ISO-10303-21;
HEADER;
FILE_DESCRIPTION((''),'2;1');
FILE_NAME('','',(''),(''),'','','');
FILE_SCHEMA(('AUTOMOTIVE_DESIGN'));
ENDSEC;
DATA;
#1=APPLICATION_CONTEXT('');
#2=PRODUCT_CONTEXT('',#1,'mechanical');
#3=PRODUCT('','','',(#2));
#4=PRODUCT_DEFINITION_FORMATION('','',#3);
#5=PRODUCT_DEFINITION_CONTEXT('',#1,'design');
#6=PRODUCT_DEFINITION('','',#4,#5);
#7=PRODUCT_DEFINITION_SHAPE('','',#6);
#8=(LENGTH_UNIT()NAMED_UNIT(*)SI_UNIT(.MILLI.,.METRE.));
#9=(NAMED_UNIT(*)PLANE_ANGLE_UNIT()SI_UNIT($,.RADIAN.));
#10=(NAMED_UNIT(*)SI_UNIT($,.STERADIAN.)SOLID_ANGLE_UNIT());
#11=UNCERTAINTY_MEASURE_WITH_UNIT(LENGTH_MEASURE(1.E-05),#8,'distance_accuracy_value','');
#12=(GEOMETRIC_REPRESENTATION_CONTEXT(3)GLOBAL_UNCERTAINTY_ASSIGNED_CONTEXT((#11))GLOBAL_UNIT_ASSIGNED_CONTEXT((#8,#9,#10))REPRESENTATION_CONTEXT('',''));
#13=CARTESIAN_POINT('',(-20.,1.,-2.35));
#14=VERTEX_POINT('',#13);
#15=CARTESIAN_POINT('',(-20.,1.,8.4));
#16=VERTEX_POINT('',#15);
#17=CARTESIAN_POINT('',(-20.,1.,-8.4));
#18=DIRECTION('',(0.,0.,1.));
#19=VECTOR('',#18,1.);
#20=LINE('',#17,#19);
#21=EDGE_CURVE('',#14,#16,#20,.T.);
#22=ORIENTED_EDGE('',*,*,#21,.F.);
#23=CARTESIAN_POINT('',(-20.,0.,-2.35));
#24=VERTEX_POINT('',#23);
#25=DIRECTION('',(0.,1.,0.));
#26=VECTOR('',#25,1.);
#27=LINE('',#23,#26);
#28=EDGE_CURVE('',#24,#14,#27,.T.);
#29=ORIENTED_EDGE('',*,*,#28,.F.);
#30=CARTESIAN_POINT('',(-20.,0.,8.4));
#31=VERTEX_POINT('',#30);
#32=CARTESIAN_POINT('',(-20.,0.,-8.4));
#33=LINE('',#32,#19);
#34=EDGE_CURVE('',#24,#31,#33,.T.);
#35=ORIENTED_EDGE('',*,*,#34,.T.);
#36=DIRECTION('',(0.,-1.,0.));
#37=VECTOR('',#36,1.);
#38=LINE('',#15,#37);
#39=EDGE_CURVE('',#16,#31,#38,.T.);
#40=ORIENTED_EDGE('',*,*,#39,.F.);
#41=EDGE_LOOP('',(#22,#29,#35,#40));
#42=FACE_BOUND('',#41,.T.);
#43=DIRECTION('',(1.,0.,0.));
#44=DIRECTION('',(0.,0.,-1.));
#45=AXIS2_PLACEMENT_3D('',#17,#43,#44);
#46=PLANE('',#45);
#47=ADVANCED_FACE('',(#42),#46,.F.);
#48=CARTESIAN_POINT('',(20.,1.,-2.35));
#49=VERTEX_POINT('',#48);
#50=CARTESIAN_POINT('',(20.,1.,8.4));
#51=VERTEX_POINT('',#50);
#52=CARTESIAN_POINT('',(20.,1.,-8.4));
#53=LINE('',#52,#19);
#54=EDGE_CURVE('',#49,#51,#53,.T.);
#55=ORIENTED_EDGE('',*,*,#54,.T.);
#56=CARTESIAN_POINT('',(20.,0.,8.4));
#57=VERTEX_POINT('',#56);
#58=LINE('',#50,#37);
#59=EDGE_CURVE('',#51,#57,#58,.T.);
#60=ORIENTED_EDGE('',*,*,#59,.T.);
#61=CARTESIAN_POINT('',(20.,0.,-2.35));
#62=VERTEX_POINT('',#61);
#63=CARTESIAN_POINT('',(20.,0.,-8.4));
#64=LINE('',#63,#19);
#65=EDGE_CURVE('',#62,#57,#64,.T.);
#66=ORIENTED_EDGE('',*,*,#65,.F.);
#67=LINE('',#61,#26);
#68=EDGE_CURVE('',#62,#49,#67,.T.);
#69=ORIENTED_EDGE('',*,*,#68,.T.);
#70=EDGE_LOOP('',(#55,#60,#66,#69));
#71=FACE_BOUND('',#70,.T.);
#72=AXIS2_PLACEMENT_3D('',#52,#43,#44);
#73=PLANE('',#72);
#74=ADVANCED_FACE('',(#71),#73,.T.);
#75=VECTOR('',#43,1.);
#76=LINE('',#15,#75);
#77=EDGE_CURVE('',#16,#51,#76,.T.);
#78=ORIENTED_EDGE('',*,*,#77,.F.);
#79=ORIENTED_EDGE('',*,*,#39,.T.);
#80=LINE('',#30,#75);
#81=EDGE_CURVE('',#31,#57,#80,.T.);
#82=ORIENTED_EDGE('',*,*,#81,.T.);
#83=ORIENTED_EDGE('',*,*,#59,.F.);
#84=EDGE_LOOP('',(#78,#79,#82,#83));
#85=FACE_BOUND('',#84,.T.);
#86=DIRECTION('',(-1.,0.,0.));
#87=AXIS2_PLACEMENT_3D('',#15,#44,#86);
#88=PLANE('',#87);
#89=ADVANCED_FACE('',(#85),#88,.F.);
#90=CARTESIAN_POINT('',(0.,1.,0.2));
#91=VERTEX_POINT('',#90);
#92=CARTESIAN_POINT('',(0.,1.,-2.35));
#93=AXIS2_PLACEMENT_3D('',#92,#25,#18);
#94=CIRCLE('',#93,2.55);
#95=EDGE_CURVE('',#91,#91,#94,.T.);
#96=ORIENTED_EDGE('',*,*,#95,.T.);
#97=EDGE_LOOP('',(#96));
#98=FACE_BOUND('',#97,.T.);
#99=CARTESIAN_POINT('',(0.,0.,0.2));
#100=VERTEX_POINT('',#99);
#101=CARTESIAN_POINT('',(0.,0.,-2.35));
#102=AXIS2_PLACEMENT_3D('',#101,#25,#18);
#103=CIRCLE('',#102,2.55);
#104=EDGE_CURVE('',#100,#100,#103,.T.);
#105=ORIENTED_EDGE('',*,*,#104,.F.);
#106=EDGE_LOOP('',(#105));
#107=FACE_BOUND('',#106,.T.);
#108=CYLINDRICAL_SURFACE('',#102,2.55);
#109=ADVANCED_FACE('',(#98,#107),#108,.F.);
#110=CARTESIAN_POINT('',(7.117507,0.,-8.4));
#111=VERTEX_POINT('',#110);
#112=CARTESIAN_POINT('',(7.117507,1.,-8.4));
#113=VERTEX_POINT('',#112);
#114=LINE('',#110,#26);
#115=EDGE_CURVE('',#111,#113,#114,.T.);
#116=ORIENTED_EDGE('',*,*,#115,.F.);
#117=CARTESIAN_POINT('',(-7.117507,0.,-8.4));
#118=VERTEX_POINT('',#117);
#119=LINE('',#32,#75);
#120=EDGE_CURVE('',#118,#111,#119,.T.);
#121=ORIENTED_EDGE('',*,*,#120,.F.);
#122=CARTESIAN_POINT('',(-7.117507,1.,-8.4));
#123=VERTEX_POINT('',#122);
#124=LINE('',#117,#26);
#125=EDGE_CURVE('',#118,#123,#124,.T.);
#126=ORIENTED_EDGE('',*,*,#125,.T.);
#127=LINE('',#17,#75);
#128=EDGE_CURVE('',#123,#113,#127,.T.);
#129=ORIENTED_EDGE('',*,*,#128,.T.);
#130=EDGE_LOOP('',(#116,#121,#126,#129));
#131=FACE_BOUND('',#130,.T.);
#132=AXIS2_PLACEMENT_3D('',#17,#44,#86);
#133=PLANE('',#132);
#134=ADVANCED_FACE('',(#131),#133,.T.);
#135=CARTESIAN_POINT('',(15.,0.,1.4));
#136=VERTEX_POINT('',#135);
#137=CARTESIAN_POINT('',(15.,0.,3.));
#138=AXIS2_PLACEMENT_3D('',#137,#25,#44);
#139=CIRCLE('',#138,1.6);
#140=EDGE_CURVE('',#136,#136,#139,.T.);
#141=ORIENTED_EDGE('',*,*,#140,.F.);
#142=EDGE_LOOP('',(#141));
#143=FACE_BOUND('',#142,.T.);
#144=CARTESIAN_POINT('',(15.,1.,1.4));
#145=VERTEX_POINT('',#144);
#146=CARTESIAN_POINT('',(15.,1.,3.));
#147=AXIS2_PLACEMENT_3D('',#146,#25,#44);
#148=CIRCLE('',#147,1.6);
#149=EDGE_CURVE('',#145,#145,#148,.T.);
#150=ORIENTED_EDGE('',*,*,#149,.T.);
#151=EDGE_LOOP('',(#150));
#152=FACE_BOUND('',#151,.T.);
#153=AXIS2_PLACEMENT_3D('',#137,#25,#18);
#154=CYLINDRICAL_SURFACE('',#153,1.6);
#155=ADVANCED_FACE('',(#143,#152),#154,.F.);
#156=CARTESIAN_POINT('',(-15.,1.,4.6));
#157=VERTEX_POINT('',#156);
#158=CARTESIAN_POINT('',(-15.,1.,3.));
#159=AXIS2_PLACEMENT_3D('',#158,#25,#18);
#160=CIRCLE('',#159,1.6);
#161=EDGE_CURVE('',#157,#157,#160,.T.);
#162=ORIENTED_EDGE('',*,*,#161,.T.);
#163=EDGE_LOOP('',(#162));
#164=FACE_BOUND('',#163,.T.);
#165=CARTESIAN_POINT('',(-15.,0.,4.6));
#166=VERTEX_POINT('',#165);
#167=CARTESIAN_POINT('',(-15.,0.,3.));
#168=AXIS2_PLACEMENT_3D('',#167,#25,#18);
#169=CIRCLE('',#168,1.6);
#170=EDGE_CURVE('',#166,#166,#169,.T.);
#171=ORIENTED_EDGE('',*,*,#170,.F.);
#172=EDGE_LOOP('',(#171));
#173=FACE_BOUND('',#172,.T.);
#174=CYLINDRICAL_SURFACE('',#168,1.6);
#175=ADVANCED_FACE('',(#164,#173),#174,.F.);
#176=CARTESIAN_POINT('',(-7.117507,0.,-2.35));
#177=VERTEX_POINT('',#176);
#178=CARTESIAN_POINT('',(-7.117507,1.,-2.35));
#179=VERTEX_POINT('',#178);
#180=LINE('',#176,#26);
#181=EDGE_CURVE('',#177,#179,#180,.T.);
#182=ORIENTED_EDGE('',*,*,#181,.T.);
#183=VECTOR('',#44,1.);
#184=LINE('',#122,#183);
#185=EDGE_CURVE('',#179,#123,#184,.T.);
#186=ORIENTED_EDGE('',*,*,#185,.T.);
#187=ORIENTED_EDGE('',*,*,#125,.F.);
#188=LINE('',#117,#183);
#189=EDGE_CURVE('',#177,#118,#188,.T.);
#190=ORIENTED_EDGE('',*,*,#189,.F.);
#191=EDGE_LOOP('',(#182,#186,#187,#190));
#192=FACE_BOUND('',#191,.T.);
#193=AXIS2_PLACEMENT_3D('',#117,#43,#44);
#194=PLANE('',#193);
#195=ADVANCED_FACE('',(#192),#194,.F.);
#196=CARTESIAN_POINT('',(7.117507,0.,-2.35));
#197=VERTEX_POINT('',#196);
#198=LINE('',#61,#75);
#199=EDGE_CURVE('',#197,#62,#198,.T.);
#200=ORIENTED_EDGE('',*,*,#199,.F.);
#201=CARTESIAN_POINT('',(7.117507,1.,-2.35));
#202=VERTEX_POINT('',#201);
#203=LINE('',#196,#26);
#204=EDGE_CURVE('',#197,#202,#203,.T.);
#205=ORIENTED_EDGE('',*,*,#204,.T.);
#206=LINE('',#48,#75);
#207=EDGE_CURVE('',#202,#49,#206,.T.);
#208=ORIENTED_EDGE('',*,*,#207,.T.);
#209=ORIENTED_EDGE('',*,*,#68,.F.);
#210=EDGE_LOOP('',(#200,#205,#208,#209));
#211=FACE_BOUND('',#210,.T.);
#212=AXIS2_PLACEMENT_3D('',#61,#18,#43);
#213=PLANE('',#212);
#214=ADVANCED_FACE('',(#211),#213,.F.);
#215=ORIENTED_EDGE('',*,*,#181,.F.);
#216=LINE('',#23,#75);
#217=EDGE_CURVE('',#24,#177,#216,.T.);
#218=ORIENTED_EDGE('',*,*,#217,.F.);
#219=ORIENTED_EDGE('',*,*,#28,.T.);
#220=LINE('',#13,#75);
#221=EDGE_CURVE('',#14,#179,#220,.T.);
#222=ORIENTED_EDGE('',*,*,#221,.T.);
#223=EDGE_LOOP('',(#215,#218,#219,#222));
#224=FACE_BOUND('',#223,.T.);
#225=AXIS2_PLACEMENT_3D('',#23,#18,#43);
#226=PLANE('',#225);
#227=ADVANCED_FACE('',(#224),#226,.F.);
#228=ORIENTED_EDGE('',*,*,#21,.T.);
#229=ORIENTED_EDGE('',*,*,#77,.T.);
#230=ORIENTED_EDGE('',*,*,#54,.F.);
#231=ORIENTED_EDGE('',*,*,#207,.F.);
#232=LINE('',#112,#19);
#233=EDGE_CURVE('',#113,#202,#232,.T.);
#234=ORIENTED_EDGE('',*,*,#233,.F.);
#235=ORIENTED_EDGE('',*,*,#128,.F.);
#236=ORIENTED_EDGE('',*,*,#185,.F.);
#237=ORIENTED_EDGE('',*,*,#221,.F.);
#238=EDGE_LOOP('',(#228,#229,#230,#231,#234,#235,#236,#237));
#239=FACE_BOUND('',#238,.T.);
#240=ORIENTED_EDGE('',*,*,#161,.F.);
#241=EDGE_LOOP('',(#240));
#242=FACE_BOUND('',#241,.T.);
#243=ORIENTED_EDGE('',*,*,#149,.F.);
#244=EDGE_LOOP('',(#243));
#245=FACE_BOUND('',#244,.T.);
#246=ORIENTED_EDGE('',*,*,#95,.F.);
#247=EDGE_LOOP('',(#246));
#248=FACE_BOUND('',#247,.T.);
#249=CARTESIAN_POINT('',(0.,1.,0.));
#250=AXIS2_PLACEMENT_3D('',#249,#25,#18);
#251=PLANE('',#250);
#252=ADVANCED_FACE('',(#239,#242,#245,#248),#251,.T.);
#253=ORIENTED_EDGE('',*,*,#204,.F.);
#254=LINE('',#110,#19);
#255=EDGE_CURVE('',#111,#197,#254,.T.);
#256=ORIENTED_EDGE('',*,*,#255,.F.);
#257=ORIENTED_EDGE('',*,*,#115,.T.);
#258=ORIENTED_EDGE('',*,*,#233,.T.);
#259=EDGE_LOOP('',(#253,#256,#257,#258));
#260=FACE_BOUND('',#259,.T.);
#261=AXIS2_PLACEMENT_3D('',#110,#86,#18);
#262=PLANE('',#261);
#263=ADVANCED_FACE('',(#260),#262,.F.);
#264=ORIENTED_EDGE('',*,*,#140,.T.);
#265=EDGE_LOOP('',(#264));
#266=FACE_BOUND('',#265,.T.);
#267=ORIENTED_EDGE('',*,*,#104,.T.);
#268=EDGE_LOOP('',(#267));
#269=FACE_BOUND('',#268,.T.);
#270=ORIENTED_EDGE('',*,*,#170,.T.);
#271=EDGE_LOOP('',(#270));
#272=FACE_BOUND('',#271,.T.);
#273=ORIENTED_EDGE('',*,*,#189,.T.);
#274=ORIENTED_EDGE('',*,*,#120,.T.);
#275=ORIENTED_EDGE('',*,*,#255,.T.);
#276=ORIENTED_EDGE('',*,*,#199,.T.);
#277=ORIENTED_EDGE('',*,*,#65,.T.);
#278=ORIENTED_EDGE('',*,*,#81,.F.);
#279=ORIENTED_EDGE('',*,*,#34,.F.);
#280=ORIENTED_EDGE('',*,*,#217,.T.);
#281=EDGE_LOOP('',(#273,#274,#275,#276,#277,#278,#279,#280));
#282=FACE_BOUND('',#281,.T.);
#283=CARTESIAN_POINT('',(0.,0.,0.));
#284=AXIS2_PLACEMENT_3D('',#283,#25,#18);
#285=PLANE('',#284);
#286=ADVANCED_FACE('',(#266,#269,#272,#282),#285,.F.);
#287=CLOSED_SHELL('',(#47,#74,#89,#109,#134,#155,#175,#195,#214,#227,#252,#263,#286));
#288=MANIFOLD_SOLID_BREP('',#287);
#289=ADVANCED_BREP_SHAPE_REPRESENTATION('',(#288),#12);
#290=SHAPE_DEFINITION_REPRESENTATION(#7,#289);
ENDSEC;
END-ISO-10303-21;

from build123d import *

# Parameters (mm, degrees)
SKETCH_1_W          = 40
SKETCH_1_H          = 16.8
EXTRUDE_1_DEPTH     = 1
SKETCH_3_R          = 1.6
SKETCH_3_R_2        = 2.55
SKETCH_3_W          = 12.882492612
SKETCH_3_H          = 6.05
CUT_EXTRUDE_1_DEPTH = 2


with BuildPart() as part:
    # Эскиз1 → Бобышка-Вытянуть1 (new body)
    with BuildSketch(Plane(origin=(0, 0, 0), x_dir=(1, 0, 0), z_dir=(0, 1, 0))):
        Rectangle(SKETCH_1_W, SKETCH_1_H)
    extrude(amount=EXTRUDE_1_DEPTH)

    # Эскиз3 → Вырез-Вытянуть1 (cut, through all)
    with BuildSketch(Plane(origin=(0, 1, 0), x_dir=(1, 0, 0), z_dir=(0, 1, 0))):
        with Locations((-15, -3)):
            Circle(SKETCH_3_R)
        with Locations((15, -3)):
            Circle(SKETCH_3_R)
        with Locations((0, 2.35)):
            Circle(SKETCH_3_R_2)
        with Locations((13.558753694, 5.375)):
            Rectangle(SKETCH_3_W, SKETCH_3_H)
        with Locations((-13.558753694, 5.375)):
            Rectangle(SKETCH_3_W, SKETCH_3_H)
    extrude(amount=-CUT_EXTRUDE_1_DEPTH, mode=Mode.SUBTRACT)


solid = part.part
